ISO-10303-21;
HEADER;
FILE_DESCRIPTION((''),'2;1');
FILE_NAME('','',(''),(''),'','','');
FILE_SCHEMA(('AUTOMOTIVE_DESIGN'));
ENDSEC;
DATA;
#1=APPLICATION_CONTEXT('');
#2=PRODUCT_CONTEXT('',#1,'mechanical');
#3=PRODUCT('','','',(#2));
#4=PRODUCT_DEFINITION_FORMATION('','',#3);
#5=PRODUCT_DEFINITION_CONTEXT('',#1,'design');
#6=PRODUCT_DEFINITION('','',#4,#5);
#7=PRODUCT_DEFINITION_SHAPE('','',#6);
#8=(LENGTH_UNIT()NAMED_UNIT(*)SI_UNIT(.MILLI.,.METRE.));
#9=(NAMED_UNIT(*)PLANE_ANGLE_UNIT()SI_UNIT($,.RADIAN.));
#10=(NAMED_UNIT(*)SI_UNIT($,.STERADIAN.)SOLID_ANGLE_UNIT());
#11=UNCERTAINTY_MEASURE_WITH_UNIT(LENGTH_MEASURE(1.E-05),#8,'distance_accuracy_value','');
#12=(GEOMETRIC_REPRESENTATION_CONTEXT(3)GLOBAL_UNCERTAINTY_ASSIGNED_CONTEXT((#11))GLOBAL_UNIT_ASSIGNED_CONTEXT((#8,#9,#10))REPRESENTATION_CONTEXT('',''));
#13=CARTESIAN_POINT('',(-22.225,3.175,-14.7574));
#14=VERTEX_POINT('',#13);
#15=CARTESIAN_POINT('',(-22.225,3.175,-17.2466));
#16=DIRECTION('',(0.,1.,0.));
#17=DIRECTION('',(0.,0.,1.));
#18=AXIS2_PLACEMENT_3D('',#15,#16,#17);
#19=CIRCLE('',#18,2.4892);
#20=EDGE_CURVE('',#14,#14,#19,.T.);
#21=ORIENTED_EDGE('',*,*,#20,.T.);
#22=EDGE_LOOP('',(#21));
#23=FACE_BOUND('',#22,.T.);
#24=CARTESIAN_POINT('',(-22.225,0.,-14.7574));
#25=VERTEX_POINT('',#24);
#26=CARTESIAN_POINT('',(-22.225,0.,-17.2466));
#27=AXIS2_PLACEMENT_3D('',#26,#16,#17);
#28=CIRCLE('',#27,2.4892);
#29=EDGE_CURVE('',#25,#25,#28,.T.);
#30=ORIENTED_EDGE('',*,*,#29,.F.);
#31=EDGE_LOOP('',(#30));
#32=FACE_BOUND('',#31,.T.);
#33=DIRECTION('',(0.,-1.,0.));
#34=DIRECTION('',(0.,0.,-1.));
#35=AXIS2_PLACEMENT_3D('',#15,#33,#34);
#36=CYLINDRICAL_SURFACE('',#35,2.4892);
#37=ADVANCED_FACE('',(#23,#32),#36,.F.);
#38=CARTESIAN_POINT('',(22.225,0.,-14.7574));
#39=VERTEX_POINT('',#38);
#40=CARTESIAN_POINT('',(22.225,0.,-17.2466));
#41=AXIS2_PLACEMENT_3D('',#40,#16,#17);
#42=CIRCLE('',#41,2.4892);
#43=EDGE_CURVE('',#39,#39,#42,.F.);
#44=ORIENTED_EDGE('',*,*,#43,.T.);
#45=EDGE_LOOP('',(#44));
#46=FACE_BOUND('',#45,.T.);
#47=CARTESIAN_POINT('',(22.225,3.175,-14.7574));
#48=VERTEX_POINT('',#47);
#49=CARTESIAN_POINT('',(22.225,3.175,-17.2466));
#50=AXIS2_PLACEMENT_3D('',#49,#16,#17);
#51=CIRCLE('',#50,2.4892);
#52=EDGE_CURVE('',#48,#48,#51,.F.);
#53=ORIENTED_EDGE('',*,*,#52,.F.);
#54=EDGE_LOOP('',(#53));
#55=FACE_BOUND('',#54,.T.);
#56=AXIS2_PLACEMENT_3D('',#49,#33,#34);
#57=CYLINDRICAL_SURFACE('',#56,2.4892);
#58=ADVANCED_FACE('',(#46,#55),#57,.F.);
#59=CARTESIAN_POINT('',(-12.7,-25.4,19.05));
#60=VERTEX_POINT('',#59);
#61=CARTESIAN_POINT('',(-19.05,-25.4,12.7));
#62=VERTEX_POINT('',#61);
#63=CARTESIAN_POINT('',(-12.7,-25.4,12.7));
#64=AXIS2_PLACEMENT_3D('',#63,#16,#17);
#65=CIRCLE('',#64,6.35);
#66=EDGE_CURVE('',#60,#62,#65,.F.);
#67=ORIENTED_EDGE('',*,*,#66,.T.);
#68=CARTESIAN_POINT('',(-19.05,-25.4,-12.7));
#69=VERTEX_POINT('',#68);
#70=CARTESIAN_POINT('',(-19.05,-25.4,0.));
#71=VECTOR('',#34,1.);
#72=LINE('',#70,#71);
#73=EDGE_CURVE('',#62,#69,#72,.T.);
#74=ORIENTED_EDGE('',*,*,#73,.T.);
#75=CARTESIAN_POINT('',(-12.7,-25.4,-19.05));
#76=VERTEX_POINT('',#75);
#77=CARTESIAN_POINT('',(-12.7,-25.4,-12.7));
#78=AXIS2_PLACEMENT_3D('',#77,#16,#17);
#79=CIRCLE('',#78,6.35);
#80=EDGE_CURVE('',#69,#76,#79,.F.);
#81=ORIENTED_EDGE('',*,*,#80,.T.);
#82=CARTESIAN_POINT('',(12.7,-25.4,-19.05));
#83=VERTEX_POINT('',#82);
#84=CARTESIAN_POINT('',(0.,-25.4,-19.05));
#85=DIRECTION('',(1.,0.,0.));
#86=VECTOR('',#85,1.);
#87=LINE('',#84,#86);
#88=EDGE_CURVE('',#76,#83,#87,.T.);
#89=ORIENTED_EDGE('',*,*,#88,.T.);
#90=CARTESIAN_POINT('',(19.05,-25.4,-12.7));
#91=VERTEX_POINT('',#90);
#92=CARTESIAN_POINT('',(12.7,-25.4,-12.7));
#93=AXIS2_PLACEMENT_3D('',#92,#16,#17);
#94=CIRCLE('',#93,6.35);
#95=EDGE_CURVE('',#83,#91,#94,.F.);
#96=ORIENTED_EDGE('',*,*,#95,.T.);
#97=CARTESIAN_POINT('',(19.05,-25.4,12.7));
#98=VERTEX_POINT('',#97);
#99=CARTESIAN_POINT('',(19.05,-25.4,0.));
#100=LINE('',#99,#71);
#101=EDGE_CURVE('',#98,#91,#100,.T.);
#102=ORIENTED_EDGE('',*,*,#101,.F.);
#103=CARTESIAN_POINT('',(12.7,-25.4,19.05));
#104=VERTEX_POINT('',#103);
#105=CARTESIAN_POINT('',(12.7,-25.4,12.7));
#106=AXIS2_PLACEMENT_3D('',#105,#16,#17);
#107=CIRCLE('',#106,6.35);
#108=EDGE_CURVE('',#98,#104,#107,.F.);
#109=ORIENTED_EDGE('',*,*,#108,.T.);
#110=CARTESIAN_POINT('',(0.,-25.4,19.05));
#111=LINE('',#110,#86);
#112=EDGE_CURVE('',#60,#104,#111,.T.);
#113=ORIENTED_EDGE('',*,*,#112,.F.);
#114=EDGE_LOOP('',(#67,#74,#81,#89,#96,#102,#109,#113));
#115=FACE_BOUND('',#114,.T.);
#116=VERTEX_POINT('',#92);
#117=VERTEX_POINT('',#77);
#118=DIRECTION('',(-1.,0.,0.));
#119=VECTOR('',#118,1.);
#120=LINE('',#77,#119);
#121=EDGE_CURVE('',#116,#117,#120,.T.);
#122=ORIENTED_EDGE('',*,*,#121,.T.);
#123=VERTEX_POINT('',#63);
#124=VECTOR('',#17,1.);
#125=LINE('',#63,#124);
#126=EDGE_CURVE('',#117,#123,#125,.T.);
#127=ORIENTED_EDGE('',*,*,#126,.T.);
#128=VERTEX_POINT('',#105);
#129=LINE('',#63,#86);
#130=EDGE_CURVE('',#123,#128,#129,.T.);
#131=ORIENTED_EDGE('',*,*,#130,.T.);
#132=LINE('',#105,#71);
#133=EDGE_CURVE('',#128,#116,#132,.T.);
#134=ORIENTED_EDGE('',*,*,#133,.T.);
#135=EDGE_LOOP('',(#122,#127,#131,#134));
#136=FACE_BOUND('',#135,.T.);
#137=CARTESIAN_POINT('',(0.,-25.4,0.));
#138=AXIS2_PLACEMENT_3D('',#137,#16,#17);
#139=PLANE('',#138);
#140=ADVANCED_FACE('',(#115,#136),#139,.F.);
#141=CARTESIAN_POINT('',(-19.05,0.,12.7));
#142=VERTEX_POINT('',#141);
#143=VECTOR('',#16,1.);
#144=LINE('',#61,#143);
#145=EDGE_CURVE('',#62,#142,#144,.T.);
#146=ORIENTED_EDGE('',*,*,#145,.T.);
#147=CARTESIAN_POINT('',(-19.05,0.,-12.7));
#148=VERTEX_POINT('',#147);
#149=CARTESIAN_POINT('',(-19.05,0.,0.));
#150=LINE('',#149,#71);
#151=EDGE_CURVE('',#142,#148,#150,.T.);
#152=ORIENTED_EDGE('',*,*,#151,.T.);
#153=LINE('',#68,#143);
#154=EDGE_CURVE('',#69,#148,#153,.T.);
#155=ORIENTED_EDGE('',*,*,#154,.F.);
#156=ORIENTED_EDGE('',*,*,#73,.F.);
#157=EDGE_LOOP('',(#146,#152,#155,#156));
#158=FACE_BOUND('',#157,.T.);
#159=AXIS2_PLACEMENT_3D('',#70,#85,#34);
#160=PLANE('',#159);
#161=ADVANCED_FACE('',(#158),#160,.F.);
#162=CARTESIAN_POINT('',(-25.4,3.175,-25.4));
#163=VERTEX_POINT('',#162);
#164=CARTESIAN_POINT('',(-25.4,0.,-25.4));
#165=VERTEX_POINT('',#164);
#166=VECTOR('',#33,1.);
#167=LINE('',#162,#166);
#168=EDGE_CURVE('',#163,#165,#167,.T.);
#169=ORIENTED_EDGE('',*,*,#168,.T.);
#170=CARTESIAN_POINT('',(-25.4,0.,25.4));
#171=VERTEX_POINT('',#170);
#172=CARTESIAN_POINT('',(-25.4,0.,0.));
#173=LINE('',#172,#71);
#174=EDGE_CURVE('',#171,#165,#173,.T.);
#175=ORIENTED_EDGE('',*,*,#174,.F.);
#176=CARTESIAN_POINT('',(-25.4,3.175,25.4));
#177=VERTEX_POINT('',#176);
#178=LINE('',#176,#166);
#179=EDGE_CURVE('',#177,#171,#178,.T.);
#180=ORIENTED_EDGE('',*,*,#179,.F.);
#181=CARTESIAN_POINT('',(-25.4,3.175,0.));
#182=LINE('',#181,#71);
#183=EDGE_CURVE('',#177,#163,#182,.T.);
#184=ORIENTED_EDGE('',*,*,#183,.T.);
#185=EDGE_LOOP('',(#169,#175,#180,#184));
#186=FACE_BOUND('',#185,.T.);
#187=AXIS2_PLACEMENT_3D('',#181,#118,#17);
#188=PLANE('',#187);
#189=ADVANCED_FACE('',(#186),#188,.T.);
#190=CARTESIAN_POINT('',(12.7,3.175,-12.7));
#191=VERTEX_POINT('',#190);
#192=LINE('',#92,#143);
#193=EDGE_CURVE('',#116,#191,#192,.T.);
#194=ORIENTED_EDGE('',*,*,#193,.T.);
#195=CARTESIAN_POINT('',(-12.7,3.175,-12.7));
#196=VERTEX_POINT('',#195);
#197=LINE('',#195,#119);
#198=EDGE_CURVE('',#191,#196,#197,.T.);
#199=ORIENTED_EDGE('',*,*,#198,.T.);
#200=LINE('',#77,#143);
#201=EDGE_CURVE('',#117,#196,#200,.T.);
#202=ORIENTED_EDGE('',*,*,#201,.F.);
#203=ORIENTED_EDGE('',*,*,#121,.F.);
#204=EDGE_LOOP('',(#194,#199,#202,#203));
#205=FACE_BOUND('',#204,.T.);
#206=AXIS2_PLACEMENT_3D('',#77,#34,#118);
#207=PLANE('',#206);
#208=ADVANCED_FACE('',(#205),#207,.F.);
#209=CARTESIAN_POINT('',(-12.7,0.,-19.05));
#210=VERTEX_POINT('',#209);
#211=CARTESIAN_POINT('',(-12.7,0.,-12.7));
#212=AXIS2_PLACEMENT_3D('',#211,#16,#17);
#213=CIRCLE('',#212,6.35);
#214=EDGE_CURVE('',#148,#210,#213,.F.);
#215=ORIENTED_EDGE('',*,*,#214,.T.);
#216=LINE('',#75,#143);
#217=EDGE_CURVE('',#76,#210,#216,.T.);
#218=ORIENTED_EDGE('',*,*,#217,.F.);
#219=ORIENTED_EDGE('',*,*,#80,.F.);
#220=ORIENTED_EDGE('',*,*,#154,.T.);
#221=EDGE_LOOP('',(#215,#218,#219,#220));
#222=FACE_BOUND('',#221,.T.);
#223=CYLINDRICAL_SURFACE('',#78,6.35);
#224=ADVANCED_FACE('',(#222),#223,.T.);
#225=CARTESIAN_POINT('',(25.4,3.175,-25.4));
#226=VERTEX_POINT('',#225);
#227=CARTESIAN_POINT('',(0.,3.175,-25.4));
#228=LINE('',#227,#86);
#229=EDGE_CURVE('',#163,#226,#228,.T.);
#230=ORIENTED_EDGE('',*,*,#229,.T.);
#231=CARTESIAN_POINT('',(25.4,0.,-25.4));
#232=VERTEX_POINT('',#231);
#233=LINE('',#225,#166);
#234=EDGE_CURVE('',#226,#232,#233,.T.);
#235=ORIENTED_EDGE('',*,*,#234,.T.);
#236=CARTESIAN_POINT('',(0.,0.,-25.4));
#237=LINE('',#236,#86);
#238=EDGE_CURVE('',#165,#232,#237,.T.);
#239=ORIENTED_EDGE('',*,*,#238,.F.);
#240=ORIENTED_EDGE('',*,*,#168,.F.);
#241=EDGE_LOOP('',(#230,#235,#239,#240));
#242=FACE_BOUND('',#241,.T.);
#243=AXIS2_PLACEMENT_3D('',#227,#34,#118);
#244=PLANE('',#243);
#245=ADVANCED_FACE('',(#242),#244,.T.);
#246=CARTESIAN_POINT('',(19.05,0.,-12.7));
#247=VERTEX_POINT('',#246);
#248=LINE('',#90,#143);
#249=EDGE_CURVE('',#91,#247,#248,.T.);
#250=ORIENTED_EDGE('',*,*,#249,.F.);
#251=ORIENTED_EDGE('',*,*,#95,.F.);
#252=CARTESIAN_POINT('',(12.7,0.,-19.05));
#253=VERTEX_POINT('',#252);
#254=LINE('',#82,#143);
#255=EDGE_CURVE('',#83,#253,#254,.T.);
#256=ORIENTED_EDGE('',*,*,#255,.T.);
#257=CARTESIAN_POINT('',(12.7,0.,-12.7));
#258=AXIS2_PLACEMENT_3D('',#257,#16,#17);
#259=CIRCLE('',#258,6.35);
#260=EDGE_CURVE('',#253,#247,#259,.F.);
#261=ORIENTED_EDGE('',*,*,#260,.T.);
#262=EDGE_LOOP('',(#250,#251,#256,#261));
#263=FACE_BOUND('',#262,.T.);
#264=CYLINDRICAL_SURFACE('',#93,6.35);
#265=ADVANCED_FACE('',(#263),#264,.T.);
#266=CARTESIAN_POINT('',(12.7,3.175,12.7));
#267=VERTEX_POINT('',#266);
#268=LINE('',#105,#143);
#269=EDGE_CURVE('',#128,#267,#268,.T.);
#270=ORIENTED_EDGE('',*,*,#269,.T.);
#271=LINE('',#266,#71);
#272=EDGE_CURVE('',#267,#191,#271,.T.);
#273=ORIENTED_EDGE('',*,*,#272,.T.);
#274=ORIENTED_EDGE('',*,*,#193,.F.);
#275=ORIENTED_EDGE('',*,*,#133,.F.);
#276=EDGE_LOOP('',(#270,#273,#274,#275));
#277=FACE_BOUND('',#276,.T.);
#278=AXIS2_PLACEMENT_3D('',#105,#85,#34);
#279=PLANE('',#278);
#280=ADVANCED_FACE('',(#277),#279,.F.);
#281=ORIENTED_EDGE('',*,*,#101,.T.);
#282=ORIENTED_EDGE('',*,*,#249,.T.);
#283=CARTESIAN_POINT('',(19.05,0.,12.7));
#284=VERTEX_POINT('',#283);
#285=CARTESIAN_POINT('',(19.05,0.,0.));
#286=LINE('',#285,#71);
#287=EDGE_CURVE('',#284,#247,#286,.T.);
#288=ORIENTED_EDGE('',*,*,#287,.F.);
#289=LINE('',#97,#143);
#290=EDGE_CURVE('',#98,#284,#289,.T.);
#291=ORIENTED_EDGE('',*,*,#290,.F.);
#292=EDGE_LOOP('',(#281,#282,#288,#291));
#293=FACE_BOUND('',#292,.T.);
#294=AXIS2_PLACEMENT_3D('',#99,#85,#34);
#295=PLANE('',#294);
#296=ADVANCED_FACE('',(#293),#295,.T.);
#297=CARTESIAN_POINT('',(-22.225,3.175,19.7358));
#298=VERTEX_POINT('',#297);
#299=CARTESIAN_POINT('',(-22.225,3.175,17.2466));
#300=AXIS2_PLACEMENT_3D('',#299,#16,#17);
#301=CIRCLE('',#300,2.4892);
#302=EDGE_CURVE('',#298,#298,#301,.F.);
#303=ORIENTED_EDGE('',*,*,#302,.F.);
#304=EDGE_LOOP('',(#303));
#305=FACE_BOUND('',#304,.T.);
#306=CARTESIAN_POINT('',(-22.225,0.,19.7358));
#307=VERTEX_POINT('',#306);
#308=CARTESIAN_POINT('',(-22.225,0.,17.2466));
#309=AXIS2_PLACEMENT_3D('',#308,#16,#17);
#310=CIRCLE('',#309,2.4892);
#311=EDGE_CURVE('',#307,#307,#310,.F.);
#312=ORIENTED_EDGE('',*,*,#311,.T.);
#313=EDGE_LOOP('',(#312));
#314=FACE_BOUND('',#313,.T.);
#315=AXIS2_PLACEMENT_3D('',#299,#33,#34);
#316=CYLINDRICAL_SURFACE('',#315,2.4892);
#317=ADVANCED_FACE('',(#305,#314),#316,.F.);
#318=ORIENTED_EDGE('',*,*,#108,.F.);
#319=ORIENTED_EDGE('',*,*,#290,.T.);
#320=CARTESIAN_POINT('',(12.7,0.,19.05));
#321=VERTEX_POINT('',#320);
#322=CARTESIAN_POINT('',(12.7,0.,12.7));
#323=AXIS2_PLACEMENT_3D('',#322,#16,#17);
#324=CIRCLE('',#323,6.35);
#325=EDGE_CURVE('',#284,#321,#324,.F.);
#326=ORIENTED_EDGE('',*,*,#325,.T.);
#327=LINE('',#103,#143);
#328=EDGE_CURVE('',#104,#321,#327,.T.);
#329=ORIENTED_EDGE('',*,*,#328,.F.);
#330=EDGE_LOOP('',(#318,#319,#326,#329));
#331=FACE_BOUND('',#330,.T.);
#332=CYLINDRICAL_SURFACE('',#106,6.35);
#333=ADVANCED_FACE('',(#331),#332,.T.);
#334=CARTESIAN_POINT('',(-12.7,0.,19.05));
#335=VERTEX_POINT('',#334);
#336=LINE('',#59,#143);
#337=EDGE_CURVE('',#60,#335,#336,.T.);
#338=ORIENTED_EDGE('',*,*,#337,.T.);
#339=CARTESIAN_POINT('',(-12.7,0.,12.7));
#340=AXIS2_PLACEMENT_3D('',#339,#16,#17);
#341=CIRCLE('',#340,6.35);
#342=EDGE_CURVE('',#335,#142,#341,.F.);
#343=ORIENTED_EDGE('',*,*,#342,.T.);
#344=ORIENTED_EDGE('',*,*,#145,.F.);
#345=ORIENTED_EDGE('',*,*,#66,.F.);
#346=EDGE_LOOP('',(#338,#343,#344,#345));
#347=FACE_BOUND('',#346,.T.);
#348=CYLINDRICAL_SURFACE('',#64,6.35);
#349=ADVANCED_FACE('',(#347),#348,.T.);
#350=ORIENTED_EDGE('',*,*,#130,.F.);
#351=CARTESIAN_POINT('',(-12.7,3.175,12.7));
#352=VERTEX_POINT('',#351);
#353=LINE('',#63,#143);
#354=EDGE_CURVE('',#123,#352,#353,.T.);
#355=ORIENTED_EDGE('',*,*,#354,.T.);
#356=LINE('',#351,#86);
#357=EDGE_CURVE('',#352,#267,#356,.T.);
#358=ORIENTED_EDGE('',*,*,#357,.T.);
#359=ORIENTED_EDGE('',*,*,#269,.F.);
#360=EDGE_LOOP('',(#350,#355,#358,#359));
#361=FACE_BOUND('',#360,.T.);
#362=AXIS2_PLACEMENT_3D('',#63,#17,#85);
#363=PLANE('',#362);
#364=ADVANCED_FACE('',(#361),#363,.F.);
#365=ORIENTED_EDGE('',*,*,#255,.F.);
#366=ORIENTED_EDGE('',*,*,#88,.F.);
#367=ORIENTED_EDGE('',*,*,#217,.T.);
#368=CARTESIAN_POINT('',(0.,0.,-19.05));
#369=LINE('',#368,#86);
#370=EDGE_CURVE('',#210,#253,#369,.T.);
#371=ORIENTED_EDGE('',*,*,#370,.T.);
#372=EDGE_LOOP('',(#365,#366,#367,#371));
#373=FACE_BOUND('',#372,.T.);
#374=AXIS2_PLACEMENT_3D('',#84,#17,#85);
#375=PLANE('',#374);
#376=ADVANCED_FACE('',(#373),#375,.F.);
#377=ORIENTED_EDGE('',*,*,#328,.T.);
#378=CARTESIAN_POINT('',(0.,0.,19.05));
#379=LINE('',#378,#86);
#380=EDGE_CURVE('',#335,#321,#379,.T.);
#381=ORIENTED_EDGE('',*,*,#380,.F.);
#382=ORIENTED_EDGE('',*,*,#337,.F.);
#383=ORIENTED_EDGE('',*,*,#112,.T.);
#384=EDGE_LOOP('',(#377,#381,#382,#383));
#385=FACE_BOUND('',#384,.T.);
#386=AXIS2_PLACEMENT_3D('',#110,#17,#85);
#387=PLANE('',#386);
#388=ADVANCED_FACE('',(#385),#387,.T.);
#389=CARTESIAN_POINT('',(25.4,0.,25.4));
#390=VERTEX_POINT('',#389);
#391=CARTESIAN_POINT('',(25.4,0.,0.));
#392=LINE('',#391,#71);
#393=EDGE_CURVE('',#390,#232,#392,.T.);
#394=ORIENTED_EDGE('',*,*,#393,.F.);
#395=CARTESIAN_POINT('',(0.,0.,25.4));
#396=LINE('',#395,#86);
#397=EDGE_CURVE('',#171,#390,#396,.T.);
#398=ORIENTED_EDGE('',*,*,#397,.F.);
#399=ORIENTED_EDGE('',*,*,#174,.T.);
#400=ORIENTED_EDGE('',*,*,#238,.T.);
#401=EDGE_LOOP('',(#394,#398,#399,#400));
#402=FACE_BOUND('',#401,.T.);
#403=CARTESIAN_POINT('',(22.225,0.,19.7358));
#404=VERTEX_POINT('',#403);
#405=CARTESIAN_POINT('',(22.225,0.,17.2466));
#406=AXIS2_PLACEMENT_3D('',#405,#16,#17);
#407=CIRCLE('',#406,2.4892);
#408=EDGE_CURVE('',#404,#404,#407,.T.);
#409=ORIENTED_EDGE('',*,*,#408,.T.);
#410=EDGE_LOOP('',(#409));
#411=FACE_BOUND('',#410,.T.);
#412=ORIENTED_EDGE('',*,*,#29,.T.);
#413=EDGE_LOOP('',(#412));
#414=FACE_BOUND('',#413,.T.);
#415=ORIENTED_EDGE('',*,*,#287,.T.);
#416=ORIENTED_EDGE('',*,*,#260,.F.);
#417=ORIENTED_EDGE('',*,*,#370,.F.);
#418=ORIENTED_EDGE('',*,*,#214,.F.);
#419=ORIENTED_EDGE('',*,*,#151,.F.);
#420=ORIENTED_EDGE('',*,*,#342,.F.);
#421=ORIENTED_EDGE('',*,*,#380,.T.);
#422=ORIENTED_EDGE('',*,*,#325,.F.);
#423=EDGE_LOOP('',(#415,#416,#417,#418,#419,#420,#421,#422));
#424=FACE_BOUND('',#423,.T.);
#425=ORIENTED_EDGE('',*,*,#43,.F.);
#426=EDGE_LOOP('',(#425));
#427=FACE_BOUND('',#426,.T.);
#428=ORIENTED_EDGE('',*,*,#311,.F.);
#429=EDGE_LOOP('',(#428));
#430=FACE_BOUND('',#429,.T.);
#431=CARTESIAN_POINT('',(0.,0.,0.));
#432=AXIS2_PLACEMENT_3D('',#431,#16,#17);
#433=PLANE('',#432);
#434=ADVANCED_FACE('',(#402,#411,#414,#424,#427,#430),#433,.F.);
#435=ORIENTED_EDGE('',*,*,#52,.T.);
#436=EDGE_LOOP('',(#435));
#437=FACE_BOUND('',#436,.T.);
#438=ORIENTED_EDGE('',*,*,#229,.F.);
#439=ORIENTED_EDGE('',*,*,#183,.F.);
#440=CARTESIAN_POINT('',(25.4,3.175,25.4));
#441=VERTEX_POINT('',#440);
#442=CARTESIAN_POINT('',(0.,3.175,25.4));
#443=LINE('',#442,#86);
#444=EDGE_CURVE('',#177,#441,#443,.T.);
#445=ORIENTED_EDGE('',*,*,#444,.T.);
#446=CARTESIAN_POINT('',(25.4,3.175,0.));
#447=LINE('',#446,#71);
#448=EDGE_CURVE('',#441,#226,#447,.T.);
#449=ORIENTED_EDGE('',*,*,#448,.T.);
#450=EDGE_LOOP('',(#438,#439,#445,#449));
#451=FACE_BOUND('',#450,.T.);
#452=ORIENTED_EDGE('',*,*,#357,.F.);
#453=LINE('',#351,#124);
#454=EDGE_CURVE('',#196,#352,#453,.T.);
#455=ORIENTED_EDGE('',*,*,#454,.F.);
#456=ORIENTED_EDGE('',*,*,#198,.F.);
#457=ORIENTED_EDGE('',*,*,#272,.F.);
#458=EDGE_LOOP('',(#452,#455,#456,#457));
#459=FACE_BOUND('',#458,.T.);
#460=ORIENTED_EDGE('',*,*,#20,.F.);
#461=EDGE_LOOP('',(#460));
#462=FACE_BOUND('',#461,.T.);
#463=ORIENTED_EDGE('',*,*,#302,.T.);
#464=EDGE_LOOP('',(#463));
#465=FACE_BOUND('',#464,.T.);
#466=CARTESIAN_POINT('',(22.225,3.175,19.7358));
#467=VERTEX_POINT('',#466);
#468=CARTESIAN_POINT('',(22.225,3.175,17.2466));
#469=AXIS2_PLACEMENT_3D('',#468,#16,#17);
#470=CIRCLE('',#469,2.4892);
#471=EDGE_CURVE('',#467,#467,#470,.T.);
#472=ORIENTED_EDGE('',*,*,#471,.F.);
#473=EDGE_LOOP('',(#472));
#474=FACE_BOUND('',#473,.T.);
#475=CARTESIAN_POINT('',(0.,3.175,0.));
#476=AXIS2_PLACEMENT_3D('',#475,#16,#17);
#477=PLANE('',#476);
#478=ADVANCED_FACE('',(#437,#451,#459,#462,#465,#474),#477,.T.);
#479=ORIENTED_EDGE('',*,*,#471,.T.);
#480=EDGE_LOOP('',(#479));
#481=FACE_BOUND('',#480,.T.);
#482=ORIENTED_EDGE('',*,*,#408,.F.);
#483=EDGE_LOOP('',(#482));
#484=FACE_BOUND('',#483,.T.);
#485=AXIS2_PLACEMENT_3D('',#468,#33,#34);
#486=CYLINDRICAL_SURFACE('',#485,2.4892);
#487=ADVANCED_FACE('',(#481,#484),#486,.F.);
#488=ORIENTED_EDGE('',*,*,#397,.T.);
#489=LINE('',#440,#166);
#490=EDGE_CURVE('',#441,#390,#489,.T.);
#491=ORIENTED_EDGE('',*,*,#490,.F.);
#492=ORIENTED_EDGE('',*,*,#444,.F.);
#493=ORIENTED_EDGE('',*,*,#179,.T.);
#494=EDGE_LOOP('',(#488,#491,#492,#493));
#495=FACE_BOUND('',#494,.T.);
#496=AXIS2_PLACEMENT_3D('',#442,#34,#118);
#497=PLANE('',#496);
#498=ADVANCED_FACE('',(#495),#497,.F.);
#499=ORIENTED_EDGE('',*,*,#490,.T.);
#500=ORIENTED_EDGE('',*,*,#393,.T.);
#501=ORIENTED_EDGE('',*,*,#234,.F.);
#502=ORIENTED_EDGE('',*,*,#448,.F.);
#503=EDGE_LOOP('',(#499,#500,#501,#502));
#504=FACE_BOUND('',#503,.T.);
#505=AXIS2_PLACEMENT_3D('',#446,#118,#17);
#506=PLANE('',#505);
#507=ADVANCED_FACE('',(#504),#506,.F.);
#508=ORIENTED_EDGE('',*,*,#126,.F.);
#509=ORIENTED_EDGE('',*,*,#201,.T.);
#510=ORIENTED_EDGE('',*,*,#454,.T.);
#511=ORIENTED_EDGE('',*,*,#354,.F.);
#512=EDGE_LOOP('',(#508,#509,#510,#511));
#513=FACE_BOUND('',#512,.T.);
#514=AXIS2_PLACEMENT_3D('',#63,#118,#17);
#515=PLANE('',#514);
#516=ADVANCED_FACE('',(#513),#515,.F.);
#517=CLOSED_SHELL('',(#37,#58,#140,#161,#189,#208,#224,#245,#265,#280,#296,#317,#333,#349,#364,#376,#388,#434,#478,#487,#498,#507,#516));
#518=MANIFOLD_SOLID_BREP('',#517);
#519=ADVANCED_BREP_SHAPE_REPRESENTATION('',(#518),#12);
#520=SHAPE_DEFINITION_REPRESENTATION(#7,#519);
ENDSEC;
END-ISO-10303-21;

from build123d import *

# Parameters (mm, degrees)
SKETCH1_W           = 50.8
SKETCH1_H           = 50.8
SKETCH1_R           = 2.4892
BOSS_EXTRUDE1_DEPTH = 3.175
BOSS_EXTRUDE2_DEPTH = 25.4
SKETCH2_W           = 25.4
SKETCH2_H           = 25.4
CUT_EXTRUDE1_DEPTH  = 29.575


with BuildPart() as part:
    # Sketch1 → Boss-Extrude1 (new body)
    with BuildSketch(Plane(origin=(0, 0, 0), x_dir=(1, 0, 0), z_dir=(0, 1, 0))):
        Rectangle(SKETCH1_W, SKETCH1_H)
        with Locations((-22.225, 17.2466)):
            Circle(SKETCH1_R, mode=Mode.SUBTRACT)
        with Locations((22.225, 17.2466)):
            Circle(SKETCH1_R, mode=Mode.SUBTRACT)
        with Locations((22.225, -17.2466)):
            Circle(SKETCH1_R, mode=Mode.SUBTRACT)
        with Locations((-22.225, -17.2466)):
            Circle(SKETCH1_R, mode=Mode.SUBTRACT)
    extrude(amount=BOSS_EXTRUDE1_DEPTH)

    # Sketch1<3> → Boss-Extrude2 (add)
    with BuildSketch(Plane(origin=(0, 0, 0), x_dir=(1, 0, 0), z_dir=(0, 1, 0))):
        with BuildLine():
            ThreePointArc((-19.05, -12.7), (-17.190128061, -17.190128061), (-12.7, -19.05))
            Line((-12.7, -19.05), (12.7, -19.05))
            ThreePointArc((12.7, -19.05), (17.190128061, -17.190128061), (19.05, -12.7))
            Line((19.05, -12.7), (19.05, 12.7))
            ThreePointArc((19.05, 12.7), (17.190128061, 17.190128061), (12.7, 19.05))
            Line((12.7, 19.05), (-12.7, 19.05))
            ThreePointArc((-12.7, 19.05), (-17.190128061, 17.190128061), (-19.05, 12.7))
            Line((-19.05, 12.7), (-19.05, -12.7))
        make_face()
    extrude(amount=-BOSS_EXTRUDE2_DEPTH)

    # Sketch2 → Cut-Extrude1 (cut, through all)
    with BuildSketch(Plane(origin=(0, 3.175, 0), x_dir=(1, 0, 0), z_dir=(0, 1, 0))):
        Rectangle(SKETCH2_W, SKETCH2_H)
    extrude(amount=-CUT_EXTRUDE1_DEPTH, mode=Mode.SUBTRACT)


solid = part.part
